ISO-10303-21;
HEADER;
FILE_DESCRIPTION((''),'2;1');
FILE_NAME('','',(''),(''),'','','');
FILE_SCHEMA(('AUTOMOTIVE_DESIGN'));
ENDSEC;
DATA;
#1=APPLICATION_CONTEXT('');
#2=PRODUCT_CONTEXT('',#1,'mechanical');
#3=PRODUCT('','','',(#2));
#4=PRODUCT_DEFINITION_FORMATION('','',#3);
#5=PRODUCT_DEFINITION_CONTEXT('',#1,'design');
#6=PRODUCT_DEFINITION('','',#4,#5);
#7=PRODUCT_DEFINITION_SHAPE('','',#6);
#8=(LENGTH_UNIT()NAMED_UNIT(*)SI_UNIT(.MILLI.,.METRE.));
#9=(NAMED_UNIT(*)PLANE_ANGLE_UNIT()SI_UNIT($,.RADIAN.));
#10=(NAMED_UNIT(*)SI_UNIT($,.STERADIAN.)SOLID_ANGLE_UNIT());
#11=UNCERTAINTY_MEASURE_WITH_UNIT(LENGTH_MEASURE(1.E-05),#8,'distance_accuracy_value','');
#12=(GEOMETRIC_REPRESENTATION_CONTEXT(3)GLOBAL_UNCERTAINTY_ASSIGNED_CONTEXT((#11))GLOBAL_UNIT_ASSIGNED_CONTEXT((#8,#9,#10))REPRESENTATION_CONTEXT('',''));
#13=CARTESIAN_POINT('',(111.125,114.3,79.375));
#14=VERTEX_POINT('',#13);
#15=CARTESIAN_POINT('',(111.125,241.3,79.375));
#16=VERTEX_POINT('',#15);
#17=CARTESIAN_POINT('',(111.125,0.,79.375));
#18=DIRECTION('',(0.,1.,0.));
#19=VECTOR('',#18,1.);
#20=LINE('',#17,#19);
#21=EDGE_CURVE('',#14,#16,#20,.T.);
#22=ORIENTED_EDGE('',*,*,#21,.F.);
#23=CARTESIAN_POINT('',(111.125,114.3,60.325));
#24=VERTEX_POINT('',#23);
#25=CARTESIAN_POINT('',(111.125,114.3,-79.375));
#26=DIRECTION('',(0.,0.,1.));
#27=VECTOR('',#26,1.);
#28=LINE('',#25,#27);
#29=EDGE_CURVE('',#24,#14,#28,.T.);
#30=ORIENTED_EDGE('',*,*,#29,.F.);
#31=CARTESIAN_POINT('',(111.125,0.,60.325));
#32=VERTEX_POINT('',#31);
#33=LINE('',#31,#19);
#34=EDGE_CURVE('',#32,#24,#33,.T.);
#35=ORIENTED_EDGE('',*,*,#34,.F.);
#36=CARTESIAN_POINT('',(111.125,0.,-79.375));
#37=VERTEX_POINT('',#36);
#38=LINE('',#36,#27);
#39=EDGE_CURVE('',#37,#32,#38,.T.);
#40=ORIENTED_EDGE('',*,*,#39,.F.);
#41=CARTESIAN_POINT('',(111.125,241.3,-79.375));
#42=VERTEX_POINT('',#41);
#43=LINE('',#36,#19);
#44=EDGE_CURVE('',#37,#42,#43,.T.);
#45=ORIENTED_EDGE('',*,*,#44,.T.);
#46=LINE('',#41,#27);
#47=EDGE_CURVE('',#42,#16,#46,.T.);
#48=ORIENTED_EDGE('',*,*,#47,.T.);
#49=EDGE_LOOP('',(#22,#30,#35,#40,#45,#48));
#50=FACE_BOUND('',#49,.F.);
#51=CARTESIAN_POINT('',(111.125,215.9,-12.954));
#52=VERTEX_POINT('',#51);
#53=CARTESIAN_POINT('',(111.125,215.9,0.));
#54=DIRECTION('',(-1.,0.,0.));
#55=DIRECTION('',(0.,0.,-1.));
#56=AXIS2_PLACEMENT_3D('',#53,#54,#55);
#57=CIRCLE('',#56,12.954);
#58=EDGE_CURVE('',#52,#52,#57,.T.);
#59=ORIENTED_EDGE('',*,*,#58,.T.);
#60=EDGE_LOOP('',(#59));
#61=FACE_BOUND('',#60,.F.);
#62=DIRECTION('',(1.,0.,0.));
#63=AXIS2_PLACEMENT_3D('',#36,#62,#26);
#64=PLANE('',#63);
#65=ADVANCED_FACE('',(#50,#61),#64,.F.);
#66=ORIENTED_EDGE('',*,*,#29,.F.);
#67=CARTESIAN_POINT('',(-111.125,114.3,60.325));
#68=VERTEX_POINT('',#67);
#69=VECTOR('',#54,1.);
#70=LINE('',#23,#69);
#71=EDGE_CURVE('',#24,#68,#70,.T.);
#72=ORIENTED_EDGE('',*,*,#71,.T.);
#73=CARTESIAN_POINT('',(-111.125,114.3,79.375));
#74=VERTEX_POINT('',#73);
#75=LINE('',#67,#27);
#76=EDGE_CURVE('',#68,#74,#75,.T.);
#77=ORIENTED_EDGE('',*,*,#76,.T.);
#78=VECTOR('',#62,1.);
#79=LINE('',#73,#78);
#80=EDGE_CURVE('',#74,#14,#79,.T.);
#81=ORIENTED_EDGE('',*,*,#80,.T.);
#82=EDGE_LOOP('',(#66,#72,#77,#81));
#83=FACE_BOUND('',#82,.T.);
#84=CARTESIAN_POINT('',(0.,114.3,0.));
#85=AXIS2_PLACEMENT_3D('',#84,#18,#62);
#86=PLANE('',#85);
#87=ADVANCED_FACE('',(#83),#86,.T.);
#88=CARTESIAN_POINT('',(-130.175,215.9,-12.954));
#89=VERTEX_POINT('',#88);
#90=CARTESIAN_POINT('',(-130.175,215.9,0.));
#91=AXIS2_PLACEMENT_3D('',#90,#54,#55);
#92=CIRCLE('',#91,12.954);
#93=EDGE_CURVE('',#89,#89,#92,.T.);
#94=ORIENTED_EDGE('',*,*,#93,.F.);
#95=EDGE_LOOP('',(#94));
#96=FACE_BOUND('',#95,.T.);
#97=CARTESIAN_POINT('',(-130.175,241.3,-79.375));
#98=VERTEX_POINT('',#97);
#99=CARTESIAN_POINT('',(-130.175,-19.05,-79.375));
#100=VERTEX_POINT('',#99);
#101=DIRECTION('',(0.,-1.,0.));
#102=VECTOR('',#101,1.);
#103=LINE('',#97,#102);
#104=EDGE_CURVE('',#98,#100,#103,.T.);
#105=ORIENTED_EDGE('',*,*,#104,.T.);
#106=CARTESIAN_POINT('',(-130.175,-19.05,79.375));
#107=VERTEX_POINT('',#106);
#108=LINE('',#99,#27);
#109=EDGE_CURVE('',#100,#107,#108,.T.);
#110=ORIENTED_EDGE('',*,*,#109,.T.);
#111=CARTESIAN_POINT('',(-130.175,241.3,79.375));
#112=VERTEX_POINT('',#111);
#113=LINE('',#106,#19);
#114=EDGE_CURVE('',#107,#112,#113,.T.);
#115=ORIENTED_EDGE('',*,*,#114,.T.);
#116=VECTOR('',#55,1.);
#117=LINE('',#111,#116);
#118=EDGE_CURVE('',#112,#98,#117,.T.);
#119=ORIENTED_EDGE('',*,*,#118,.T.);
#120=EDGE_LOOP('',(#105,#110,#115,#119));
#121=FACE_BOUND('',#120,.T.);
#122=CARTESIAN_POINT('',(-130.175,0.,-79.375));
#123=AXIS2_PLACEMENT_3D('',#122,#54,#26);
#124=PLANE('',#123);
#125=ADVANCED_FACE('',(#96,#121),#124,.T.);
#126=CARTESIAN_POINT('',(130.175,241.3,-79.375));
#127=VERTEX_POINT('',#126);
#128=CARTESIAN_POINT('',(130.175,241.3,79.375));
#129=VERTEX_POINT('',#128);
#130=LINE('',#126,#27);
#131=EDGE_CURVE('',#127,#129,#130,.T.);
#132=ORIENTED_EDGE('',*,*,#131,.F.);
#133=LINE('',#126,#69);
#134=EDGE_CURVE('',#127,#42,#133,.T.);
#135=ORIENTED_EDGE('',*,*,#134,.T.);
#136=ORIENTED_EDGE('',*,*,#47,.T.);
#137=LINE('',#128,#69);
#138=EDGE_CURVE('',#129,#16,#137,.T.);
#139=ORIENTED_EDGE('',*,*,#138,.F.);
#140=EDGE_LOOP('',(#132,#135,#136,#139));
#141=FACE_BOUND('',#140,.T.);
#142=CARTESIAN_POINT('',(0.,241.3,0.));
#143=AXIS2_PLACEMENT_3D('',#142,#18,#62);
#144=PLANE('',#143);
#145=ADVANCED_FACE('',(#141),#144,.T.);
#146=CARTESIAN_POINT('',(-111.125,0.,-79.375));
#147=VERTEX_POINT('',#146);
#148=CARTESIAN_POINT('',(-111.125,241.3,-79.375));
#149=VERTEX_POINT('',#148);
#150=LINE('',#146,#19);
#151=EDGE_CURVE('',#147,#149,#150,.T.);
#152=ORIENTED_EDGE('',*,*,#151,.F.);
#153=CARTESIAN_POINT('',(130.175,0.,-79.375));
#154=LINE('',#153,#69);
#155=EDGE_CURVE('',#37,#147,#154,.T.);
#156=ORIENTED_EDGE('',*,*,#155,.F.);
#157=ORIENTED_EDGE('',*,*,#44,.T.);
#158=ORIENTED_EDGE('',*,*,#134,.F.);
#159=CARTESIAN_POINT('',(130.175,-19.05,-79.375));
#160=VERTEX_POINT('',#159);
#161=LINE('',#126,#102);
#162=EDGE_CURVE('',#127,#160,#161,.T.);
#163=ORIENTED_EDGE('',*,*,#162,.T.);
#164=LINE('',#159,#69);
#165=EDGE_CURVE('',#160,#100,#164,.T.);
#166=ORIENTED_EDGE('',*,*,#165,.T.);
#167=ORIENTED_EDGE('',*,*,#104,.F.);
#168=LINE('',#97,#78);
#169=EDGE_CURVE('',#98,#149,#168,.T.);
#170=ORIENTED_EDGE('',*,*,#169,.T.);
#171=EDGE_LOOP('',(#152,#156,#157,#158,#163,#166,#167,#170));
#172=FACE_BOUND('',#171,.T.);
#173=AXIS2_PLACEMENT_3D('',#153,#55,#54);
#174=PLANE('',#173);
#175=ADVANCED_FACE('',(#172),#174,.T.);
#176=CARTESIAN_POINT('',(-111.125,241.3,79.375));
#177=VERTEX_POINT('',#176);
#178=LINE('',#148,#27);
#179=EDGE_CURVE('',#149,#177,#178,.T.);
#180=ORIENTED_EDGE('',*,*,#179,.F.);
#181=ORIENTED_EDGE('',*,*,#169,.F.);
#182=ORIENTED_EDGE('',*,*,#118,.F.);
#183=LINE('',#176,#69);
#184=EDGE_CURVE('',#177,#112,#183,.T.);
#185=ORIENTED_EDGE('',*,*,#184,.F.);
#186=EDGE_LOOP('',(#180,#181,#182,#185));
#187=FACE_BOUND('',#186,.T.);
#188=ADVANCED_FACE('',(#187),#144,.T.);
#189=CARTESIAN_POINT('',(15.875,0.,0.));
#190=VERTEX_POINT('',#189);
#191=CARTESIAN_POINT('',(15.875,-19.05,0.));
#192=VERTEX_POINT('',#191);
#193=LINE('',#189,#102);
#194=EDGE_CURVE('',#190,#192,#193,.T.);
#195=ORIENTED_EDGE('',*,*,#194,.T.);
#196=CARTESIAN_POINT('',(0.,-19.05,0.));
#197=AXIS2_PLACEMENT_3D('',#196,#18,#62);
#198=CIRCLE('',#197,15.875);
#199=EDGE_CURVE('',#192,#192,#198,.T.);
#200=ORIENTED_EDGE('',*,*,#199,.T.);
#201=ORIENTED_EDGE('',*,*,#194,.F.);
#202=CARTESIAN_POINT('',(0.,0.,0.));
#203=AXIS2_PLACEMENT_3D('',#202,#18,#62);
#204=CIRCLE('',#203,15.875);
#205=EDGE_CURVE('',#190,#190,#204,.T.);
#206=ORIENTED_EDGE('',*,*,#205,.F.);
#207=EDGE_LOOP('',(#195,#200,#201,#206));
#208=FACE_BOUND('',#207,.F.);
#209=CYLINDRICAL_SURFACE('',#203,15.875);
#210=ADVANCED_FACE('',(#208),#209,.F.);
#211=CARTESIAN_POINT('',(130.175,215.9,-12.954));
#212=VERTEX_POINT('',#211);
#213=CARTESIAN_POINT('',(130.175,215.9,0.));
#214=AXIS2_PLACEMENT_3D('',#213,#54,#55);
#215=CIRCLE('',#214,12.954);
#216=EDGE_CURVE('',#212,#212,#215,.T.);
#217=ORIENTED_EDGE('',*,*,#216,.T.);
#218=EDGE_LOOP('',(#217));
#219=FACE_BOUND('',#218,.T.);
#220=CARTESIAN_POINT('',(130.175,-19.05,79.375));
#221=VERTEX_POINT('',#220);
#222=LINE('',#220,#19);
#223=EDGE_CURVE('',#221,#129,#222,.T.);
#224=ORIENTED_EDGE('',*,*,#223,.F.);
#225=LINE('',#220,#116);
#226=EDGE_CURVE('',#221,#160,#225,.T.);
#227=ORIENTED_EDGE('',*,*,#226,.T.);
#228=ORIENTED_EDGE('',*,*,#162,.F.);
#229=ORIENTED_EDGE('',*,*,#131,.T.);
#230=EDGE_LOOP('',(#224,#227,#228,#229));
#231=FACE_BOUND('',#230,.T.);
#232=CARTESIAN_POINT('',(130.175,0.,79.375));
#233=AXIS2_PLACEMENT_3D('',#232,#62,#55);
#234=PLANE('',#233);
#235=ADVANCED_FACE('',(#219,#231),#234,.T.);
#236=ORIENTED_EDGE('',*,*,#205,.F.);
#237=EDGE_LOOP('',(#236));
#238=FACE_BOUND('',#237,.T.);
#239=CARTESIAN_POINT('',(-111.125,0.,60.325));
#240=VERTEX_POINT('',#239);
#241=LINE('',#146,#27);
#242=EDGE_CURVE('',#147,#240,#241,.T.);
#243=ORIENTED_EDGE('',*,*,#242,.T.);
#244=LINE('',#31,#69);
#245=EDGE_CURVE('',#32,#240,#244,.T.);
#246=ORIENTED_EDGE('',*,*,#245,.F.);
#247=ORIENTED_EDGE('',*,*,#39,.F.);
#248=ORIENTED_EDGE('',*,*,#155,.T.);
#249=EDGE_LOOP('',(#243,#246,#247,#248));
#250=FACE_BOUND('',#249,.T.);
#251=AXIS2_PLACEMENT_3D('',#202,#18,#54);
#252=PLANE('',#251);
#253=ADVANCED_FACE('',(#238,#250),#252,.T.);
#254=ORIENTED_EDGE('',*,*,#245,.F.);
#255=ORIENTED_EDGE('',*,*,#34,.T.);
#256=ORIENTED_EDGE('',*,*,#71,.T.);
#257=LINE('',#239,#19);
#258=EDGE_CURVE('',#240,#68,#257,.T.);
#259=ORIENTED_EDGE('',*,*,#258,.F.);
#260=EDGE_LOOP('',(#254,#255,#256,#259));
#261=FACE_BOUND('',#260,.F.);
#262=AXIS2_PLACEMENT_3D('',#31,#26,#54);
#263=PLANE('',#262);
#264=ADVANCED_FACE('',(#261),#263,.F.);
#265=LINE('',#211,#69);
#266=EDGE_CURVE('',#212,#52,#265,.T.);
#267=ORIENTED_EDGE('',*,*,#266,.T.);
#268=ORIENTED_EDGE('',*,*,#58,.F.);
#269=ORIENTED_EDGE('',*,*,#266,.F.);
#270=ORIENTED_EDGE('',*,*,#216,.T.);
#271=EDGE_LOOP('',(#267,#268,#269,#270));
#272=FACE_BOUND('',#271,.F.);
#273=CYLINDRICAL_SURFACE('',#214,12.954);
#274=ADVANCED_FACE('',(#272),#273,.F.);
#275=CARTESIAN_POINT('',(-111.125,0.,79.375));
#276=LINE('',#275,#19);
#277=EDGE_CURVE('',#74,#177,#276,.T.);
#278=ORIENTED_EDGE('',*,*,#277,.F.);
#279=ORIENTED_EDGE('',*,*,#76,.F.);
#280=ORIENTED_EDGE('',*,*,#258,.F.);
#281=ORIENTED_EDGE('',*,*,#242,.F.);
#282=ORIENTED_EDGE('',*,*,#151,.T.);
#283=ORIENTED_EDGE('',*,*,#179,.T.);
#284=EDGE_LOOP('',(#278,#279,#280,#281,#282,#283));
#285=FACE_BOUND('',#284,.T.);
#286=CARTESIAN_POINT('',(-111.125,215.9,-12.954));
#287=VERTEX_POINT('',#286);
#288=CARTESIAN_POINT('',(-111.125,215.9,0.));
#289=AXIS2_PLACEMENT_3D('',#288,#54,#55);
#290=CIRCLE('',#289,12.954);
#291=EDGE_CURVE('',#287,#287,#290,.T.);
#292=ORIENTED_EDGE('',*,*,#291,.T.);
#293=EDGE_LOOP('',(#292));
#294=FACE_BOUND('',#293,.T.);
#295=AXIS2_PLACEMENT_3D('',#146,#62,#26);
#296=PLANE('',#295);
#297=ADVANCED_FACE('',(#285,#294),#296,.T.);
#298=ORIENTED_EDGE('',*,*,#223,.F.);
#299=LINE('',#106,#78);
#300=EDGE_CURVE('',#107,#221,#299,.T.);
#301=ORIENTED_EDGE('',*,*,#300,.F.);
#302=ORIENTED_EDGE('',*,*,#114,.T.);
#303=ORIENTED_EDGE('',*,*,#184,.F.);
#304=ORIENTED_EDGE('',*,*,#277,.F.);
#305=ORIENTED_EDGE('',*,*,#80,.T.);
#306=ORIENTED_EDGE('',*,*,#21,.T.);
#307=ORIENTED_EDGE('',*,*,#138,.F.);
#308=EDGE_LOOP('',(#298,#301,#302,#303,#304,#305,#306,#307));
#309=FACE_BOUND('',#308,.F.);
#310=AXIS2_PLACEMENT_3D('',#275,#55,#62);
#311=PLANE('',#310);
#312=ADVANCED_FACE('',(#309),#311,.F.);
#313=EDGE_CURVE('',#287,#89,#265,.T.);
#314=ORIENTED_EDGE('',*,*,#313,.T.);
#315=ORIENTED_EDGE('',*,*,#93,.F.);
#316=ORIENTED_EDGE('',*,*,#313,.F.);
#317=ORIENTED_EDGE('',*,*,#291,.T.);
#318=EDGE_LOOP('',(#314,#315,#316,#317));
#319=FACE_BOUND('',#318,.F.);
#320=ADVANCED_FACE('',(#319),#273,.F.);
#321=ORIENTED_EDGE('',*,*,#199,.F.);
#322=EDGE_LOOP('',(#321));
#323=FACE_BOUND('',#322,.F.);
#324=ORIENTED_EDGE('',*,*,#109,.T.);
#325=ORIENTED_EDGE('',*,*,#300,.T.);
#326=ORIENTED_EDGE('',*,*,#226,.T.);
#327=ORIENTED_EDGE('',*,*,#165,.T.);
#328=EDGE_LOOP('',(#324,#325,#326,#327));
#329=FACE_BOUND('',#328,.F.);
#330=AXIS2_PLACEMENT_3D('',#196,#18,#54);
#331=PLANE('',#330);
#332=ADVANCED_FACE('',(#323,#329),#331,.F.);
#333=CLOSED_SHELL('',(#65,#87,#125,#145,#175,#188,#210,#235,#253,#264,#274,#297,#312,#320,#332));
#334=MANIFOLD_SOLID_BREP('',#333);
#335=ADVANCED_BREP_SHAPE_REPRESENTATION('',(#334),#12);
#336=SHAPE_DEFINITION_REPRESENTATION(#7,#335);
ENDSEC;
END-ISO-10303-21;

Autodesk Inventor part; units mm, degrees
ref_plane "YZ Plane" through (0, 0, 0) normal (1, 0, 0) x (0, 1, 0)
ref_plane "XZ Plane" through (0, 0, 0) normal (0, 1, 0) x (-1, 0, 0)
ref_plane "XY Plane" through (0, 0, 0) normal (0, 0, 1) x (1, 0, 0)
sketch "Sketch1" plane through (0, 0, 0) normal (0, 1, 0) x (-1, 0, 0)
  line L0 (130.175, 79.375) -> (-130.175, 79.375)
  line L1 (-130.175, 79.375) -> (-130.175, -79.375)
  line L2 (-130.175, -79.375) -> (130.175, -79.375)
  line L3 (130.175, -79.375) -> (130.175, 79.375)
  line L4 (130.175, 79.375) -> (-130.175, -79.375) construction
  line L5 (-130.175, 79.375) -> (130.175, -79.375) construction
  point P0 (0, 0)
  dimension "d0" = 260.35
  dimension "d1" = 158.75
extrude "Base" add sketch "Sketch1" against normal blind 19.05
sketch "Sketch2" plane through (0, 0, 0) normal (0, 1, 0) x (1, 0, 0)
  line L0 (-130.175, -79.375) -> (-130.175, 79.375) projected
  line L1 (-130.175, 79.375) -> (-111.125, 79.375)
  line L2 (-111.125, 79.375) -> (-111.125, -79.375)
  line L3 (-111.125, -79.375) -> (-130.175, -79.375)
  line L4 (-130.175, -79.375) -> (-130.175, 79.375)
  line L5 (130.175, 79.375) -> (130.175, -79.375) projected
  line L6 (130.175, -79.375) -> (-130.175, -79.375) projected
  line L7 (130.175, 79.375) -> (111.125, 79.375)
  line L8 (111.125, 79.375) -> (111.125, -79.375)
  line L9 (111.125, -79.375) -> (130.175, -79.375)
  line L10 (130.175, -79.375) -> (130.175, 79.375)
  line L11 (-130.175, -79.375) -> (130.175, -79.375) projected
  point P0 (0, 0)
  dimension "d4" = 19.05
extrude "Sides" add sketch "Sketch2" along normal blind 241.3
sketch "Sketch3" plane through (0, 0, 0) normal (0, 1, 0) x (1, 0, 0)
  line L0 (-130.175, -79.375) -> (-111.125, -79.375) projected
  line L1 (111.125, 79.375) -> (111.125, -79.375) projected
  line L2 (-111.125, -79.375) -> (111.125, -79.375)
  line L3 (111.125, -79.375) -> (111.125, -60.325)
  line L4 (111.125, -60.325) -> (-111.125, -60.325)
  line L5 (-111.125, -60.325) -> (-111.125, -79.375)
  point P0 (0, 0)
  point P1 (111.125, -79.375)
  dimension "d7" = 19.05
extrude "FrontPiece" add sketch "Sketch3" along normal blind 114.3
sketch "Sketch5" plane through (130.175, -19.05, 79.375) normal (1, 0, 0) x (0, 0, -1)
  line L0 (158.75, 260.35) -> (0, 260.35) construction
  line L1 (79.375, 260.35) -> (79.375, 0) construction
  line L2 (0, 0) -> (158.75, 0) construction
  line L3 (19.05, 19.05) -> (158.75, 19.05) projected
  point P0 (79.375, 19.05)
  point P1 (79.375, 234.95)
  dimension "d23" = 215.9
hole "HoleForSides" at (130.175, 215.9, 0) direction (-1, 0, 0) diameter 25.908 end through all
sketch "Sketch8" plane through (0, 0, 0) normal (0, 1, 0) x (1, 0, 0)
  circle A0 centre (0, 0) radius 15.875
  dimension "d27" = 31.75
extrude "BottomHole" cut sketch "Sketch8" against normal through all
equation "\"d0\" = interiorWidth + 2 * woodThickness"
equation "\"d1\" = partDepth"
equation "\"d2\" = woodThickness"
equation "\"d4\" = woodThickness"
equation "\"d5\" = totalHeight - woodThickness"
equation "\"d7\" = woodThickness"
equation "\"d8\" = supportBoardHeight"
equation "\"d23\" = holeCenter"
equation "\"d13\" = holeDiameter"
equation "\"interiorWidth\" = 222.25"
equation "\"woodThickness\" = 19.05"
equation "\"holeCenter\" = 215.9"
equation "\"supportBoardHeight\" = 114.3"
equation "\"holeDiameter\" = 25.908"
equation "\"partDepth\" = 158.75"
equation "\"totalHeight\" = 260.35"
properties part number "woodForkAssembly02" material "Wood (Birch)"
